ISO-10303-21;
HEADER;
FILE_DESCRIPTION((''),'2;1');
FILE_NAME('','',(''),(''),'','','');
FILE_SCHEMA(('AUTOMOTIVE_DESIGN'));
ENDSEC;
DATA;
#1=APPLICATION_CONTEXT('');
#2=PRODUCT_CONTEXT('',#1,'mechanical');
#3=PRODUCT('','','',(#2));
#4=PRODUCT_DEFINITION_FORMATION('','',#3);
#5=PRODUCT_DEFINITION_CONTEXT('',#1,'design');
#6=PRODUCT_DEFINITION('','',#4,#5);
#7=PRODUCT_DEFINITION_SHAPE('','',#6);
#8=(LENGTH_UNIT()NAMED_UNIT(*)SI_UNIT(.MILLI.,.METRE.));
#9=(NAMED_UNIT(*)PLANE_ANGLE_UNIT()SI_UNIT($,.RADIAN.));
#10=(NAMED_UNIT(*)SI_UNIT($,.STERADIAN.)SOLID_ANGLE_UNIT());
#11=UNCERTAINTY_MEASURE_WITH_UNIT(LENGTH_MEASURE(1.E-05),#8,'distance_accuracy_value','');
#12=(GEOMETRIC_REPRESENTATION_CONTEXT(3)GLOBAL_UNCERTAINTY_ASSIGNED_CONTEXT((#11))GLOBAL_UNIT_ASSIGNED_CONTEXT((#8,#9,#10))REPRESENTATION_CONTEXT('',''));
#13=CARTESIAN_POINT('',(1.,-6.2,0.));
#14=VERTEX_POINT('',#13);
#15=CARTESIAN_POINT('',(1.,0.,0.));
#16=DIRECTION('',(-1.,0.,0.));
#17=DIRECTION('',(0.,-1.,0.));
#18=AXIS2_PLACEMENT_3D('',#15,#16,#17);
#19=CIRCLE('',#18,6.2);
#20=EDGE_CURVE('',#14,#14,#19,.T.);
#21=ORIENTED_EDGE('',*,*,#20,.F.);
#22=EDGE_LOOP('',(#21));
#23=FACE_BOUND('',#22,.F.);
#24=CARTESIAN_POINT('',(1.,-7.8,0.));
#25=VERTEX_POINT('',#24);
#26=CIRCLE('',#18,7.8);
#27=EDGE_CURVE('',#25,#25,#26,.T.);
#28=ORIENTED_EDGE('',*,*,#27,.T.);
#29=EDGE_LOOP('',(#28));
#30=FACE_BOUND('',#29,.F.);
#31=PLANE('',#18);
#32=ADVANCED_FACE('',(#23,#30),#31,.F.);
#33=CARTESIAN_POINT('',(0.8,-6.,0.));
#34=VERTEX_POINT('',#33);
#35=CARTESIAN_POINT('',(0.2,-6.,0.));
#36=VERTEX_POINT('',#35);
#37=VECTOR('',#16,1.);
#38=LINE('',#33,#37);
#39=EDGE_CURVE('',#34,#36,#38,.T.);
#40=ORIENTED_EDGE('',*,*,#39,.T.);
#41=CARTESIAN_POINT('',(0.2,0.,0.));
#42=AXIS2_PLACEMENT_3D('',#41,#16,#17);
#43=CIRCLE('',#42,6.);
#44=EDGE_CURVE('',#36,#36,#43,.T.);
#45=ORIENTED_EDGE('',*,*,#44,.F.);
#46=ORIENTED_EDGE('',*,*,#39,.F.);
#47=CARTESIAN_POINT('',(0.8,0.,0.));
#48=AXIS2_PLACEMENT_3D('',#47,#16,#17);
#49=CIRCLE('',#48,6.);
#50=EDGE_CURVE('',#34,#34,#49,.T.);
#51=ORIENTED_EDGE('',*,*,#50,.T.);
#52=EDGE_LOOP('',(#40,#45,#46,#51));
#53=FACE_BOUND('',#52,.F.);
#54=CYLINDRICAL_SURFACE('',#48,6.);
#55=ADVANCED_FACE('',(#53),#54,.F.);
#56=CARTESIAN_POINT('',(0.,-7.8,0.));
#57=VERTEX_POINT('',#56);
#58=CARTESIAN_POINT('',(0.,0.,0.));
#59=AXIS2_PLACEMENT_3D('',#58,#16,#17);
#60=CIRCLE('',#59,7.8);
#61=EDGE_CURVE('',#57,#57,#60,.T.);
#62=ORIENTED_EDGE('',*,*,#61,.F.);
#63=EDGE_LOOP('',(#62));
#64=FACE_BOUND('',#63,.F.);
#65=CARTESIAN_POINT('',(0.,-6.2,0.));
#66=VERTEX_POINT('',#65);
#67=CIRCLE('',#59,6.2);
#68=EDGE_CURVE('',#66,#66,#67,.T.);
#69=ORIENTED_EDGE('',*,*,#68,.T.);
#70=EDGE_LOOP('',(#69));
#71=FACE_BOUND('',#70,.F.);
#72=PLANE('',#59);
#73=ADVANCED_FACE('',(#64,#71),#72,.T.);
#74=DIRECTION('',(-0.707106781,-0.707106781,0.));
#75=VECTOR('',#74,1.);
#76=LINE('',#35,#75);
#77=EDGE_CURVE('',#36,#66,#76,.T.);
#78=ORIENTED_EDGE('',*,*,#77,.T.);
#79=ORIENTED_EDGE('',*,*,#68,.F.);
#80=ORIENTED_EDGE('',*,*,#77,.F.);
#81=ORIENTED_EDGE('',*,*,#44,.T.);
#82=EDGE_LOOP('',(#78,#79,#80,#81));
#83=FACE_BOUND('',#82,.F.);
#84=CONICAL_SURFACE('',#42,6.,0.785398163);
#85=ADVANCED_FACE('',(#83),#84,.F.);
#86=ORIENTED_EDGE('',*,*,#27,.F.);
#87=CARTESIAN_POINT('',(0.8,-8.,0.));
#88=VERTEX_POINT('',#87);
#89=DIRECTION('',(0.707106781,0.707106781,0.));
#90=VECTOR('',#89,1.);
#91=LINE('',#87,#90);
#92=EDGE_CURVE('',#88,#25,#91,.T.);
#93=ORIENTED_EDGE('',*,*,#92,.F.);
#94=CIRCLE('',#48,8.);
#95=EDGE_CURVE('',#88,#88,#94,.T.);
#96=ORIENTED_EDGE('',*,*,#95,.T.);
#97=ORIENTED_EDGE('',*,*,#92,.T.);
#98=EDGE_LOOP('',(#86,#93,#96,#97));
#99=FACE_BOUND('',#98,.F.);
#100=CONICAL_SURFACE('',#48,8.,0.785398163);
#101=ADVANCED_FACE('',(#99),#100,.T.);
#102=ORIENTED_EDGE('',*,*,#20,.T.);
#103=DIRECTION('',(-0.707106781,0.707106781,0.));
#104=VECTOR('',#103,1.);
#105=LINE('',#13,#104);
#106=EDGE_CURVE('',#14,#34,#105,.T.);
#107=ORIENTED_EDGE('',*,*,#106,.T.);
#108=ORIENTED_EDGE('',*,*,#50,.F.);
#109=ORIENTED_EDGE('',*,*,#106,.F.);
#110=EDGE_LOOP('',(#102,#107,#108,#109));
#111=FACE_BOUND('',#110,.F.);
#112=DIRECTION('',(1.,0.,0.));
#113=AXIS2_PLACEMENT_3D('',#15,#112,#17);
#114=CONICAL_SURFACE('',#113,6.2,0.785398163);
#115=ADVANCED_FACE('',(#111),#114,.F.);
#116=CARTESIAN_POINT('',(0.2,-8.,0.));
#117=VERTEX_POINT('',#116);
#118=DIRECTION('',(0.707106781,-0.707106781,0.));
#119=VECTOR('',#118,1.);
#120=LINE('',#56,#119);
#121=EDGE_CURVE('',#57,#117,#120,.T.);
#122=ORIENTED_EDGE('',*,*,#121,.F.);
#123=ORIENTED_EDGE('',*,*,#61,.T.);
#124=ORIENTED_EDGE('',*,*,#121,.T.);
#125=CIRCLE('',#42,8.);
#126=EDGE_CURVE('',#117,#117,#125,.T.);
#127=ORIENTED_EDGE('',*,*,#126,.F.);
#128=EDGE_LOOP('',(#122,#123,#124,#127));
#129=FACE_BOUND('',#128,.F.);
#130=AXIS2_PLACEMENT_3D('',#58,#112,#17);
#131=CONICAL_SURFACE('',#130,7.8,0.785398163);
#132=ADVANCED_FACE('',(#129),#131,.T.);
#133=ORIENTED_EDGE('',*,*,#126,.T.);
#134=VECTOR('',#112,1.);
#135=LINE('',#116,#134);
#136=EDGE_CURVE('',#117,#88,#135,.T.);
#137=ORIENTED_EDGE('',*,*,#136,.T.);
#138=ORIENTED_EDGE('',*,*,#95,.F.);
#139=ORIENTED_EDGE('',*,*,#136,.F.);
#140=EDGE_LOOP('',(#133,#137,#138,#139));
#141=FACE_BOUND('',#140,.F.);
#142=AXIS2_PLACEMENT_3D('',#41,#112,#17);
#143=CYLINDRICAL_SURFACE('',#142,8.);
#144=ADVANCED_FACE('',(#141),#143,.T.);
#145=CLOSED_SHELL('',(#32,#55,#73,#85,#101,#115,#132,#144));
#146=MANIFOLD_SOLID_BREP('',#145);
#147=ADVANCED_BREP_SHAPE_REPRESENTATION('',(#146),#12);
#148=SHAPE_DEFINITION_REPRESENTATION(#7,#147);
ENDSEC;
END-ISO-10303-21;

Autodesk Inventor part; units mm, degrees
sketch "Sketch_1" plane through (0, 0, 0) normal (0, 0, 1) x (1, 0, 0)
  line L0 (-3, 0) -> (3, 0)
  line L1 (0, -6.2) -> (0, -7.8)
  line L2 (0, -7.8) -> (0.2, -8)
  line L3 (0.2, -8) -> (0.8, -8)
  line L4 (0.8, -8) -> (1, -7.8)
  line L5 (1, -7.8) -> (1, -6.2)
  line L6 (1, -6.2) -> (0.8, -6)
  line L7 (0.8, -6) -> (0.2, -6)
  line L8 (0.2, -6) -> (0, -6.2)
revolve "Revolution1" add sketch "Sketch_1" angle 360 about axis through (-3, 0, 0) along (-1, 0, 0)
ref_plane "a_XY" through (0, 0, 0) normal (1, 0, 0) x (0, 0, -1)
ref_plane "a_YZ" through (0, 0, 0) normal (0, 0, -1) x (0, 1, 0)
ref_plane "a_ZX" through (0, 0, 0) normal (0, 1, 0) x (1, 0, 0)
properties part number "WSSS16-12-1"
